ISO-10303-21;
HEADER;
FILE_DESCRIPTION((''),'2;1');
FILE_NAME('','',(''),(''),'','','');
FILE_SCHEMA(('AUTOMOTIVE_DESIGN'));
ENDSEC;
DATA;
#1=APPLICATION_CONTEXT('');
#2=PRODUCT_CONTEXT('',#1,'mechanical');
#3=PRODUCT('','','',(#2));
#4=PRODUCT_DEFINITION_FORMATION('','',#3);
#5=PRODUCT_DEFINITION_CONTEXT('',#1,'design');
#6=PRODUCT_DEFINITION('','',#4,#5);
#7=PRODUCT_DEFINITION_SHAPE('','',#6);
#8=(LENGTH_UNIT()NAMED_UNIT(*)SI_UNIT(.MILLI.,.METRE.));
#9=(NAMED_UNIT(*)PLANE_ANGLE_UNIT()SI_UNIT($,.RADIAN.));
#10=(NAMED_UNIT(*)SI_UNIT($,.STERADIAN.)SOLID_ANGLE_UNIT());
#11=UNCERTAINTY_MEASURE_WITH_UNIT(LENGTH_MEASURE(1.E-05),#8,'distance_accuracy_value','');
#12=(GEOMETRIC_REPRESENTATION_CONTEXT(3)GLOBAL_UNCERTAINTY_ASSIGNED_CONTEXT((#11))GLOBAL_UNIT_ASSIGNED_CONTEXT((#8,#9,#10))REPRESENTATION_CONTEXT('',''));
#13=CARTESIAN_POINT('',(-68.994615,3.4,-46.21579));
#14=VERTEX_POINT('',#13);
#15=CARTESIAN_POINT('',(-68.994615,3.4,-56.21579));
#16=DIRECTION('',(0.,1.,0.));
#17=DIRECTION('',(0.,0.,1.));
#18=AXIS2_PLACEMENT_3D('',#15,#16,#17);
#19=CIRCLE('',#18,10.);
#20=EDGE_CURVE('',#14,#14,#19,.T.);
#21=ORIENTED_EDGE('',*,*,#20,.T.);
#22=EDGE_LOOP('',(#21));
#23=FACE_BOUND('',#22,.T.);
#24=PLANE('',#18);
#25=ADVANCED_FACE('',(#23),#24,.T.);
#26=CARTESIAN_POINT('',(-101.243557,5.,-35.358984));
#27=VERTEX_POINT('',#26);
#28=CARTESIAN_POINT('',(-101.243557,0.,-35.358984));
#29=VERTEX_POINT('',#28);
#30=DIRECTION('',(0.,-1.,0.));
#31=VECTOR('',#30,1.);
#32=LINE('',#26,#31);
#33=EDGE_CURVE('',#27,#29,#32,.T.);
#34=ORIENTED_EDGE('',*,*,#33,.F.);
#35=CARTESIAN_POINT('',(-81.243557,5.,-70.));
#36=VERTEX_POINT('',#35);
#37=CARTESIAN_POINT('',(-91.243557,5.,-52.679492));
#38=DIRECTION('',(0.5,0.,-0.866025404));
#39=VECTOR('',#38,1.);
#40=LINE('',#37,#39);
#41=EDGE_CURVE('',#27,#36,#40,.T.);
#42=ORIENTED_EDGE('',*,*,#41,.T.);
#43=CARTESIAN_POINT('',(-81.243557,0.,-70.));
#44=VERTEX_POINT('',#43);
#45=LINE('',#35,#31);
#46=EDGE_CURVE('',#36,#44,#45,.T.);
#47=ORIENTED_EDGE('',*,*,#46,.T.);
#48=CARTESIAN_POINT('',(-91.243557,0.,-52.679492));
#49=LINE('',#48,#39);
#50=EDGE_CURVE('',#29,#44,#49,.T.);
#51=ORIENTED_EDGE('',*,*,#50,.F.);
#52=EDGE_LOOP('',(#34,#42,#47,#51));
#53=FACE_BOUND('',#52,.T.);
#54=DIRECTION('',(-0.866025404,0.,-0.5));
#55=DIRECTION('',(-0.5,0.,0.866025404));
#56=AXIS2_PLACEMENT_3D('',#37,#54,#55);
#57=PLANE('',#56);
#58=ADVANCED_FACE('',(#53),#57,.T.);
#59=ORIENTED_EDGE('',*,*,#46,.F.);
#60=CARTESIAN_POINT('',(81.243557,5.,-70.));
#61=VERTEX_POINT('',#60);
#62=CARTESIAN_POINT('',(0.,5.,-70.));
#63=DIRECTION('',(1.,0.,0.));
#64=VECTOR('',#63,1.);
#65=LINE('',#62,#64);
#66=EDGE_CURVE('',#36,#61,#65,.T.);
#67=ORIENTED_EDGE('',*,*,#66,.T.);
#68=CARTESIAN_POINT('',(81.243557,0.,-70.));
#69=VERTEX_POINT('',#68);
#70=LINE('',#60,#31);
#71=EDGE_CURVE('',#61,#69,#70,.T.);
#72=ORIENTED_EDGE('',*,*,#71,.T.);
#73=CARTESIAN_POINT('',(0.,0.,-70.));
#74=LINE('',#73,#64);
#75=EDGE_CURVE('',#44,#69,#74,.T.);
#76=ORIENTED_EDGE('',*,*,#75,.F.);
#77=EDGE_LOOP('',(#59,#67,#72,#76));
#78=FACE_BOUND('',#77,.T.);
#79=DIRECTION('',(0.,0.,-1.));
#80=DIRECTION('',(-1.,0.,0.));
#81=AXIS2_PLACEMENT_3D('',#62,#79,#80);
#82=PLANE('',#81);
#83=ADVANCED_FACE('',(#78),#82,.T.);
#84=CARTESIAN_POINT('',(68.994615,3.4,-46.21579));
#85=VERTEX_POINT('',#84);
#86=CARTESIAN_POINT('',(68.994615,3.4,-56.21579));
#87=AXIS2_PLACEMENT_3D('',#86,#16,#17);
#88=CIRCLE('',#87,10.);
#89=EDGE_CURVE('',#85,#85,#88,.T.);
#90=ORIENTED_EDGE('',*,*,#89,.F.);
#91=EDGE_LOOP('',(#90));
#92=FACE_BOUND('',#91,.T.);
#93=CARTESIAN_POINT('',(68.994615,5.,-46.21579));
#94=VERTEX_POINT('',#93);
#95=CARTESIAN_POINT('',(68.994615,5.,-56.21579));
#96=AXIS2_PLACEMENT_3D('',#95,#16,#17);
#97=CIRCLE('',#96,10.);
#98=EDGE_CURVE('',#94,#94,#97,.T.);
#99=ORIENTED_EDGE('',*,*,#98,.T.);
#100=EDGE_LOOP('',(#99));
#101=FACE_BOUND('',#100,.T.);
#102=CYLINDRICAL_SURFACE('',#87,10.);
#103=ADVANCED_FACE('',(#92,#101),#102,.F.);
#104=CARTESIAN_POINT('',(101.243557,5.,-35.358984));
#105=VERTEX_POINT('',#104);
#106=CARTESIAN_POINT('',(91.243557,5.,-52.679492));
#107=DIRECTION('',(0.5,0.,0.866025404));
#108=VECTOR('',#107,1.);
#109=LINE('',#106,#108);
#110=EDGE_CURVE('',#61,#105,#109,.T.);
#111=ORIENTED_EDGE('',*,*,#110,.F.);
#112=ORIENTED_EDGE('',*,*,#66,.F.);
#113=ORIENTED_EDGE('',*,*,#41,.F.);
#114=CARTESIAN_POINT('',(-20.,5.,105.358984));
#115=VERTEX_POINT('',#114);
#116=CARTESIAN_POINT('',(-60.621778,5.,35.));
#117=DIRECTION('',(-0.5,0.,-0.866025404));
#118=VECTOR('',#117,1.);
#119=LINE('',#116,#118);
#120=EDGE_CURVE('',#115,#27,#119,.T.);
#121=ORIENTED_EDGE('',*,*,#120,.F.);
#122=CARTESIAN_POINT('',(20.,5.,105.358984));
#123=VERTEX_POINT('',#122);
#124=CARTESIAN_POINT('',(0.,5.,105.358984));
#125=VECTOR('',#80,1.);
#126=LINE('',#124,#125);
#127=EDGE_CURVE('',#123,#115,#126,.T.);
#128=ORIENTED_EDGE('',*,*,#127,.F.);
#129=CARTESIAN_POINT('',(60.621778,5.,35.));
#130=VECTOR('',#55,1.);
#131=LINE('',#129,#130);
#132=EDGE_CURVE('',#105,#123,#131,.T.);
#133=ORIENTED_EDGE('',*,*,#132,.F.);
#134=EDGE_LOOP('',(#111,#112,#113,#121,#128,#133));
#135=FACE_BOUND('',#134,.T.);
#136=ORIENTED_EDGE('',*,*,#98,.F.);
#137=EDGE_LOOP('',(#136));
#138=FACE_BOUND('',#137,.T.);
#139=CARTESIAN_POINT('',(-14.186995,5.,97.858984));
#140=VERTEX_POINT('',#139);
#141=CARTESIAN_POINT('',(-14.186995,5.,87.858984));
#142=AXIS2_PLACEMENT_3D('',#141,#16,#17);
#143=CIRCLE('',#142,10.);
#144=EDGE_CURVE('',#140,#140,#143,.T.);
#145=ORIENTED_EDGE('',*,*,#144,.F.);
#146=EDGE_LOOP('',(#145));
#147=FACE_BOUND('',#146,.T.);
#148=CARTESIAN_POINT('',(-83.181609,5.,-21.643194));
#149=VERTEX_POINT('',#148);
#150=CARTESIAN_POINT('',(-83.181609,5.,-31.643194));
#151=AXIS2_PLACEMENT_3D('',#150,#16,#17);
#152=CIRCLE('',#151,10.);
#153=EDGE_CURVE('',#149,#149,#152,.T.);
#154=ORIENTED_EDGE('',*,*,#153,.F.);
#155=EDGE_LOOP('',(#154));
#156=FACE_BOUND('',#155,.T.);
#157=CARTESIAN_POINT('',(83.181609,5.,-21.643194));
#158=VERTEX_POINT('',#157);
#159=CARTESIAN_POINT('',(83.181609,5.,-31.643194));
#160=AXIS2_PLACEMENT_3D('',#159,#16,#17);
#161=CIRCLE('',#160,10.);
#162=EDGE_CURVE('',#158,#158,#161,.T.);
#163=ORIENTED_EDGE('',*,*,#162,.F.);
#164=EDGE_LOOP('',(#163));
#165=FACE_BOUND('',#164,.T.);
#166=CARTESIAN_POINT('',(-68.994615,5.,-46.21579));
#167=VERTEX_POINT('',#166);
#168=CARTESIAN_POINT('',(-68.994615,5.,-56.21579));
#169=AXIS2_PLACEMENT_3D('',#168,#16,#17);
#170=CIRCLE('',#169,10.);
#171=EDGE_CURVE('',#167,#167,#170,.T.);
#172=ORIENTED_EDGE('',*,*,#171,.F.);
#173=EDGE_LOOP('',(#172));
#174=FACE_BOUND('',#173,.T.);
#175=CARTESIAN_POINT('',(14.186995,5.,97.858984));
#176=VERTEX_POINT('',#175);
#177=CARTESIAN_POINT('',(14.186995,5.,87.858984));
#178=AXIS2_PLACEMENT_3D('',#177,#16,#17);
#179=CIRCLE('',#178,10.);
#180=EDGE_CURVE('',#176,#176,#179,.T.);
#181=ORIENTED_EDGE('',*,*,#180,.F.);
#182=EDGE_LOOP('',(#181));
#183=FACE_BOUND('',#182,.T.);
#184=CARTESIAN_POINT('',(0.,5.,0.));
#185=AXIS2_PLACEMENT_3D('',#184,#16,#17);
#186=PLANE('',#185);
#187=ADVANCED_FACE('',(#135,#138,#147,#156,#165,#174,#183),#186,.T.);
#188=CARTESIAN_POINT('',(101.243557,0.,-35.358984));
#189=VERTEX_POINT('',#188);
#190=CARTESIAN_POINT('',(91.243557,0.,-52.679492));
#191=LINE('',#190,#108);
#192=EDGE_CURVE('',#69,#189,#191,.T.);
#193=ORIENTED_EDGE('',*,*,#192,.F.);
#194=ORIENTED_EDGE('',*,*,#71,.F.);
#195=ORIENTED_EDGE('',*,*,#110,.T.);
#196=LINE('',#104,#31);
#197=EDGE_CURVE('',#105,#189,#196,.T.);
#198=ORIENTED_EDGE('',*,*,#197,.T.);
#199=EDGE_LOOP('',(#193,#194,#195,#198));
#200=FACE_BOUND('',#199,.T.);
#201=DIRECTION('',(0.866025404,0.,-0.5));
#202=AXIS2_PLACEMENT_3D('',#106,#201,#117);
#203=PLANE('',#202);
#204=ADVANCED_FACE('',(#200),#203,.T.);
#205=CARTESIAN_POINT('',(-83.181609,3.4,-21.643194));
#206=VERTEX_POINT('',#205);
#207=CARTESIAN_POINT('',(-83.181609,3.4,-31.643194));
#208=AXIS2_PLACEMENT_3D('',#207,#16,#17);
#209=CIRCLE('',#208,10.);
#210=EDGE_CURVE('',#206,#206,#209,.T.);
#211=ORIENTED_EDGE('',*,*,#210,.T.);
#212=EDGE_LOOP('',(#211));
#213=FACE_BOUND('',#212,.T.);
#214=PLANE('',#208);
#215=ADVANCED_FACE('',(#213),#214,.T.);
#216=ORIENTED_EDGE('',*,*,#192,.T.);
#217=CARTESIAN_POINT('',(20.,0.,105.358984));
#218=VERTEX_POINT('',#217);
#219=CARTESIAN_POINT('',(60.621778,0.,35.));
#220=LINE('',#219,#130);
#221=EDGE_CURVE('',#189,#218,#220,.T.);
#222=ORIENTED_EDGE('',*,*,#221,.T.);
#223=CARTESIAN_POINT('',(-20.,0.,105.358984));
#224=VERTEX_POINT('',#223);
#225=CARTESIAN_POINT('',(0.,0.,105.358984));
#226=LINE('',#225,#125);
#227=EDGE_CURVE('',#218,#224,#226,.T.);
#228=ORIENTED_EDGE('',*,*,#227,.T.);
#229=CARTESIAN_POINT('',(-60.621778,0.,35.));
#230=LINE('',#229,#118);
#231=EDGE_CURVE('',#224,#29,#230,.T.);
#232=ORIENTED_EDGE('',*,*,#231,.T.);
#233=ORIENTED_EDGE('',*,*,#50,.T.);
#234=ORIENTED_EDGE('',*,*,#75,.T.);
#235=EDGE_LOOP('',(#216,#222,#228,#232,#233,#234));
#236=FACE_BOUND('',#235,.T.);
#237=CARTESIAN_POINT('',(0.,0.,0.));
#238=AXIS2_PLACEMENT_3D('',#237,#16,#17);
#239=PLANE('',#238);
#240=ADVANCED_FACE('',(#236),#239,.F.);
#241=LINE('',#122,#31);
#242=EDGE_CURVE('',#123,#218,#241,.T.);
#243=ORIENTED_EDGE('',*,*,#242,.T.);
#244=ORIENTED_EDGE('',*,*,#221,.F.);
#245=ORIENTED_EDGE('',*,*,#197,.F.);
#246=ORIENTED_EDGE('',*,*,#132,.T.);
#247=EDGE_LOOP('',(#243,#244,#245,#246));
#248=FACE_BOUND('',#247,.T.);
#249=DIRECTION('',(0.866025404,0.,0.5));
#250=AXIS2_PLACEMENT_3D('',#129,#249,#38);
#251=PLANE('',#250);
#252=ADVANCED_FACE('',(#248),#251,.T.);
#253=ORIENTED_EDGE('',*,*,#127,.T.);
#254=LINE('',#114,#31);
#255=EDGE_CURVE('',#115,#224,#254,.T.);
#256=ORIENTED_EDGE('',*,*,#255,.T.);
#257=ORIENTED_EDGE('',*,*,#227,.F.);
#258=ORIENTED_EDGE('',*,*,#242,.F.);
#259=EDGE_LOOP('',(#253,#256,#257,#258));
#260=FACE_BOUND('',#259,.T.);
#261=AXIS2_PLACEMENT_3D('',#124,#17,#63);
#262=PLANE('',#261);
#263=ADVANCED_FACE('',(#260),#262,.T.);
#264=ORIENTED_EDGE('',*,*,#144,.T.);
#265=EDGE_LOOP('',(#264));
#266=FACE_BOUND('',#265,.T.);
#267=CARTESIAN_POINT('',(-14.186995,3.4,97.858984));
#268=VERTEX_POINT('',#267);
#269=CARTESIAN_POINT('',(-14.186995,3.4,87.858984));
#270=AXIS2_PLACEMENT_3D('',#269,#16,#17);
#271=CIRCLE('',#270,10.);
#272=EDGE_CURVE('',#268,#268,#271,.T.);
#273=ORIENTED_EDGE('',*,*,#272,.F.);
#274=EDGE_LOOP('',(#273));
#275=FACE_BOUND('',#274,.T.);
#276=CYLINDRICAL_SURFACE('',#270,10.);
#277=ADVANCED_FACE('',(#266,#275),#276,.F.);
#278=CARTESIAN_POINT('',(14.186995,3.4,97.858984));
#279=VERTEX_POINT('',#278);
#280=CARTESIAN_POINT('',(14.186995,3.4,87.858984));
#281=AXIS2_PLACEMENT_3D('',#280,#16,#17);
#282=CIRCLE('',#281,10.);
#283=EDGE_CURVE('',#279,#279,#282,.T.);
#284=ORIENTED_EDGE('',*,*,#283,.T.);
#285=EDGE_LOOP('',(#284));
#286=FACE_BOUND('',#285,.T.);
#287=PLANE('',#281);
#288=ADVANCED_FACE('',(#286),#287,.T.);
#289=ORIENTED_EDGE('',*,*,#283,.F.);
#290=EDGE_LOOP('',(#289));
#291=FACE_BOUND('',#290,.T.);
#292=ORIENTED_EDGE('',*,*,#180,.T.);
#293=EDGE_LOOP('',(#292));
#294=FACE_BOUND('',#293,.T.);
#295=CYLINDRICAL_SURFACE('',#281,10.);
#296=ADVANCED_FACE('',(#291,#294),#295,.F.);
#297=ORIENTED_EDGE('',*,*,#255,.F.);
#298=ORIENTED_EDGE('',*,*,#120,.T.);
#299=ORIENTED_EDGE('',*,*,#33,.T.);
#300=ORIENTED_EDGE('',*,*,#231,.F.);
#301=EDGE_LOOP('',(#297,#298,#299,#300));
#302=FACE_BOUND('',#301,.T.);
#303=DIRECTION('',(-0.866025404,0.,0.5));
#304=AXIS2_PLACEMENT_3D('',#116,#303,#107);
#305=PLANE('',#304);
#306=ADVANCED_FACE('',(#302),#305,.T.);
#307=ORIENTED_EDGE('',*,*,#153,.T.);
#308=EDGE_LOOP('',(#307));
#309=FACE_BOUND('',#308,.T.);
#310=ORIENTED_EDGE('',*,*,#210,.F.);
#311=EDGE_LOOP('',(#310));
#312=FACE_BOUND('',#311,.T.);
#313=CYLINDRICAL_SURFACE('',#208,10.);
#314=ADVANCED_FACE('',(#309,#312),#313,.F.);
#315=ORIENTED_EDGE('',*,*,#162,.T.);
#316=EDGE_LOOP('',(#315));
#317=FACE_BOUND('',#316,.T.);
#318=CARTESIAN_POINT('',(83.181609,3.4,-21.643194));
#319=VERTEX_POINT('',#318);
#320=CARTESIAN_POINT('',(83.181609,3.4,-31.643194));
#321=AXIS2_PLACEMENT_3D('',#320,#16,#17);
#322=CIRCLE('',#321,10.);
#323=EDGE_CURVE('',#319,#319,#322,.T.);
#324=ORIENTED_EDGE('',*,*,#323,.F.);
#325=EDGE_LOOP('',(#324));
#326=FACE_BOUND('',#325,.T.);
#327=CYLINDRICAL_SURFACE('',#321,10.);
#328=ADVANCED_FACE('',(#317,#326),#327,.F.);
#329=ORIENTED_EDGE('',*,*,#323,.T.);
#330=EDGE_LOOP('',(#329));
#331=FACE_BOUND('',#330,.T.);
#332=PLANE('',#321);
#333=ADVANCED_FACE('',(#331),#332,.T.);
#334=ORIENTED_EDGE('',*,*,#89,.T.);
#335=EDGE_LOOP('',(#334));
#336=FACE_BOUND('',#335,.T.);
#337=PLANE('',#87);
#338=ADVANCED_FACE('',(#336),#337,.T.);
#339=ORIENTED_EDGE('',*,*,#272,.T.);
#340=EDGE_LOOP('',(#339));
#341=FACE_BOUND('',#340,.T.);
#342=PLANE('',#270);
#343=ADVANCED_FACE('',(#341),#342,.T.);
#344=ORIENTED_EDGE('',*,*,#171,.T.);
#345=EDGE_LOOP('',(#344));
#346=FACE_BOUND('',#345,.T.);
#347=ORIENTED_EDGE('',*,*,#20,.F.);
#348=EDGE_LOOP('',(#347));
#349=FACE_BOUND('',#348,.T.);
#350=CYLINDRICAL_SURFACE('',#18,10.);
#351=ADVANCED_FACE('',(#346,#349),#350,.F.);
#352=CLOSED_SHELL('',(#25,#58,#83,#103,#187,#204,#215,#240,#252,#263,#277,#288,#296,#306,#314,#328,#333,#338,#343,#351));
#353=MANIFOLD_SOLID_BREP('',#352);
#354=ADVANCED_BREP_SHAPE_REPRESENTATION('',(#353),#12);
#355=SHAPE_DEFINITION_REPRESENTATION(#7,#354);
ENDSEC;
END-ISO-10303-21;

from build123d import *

# Parameters (mm, degrees)
BOSS_EXTRUDE1_DEPTH = 5
CUT_EXTRUDE4_START  = 5
SKETCH1_5_R         = 10
CUT_EXTRUDE4_DEPTH  = 1.6
CIRPATTERN1_COUNT   = 3


with BuildPart() as part:
    # Sketch1 → Boss-Extrude1 (new body)
    with BuildSketch(Plane(origin=(0, 0, 0), x_dir=(1, 0, 0), z_dir=(0, 1, 0))):
        Polygon((20, -105.358983849), (101.24355653, 35.358983849), (81.24355653, 70), (-81.24355653, 70), (-101.24355653, 35.358983849), (-20, -105.358983849), align=None)
    extrude(amount=BOSS_EXTRUDE1_DEPTH)

    # Sketch1<5> → Cut-Extrude4 (cut)
    with BuildSketch(Plane(origin=(0, 0, 0), x_dir=(1, 0, 0), z_dir=(0, 1, 0)).offset(CUT_EXTRUDE4_START)):
        with Locations(Location((-14.186994533, -87.858983849, 0), (0, 0, 270))):
            Circle(SKETCH1_5_R)
        with Locations(Location((14.186994533, -87.858983849, 0), (0, 0, 270))):
            Circle(SKETCH1_5_R)
    cut_extrude4 = extrude(amount=-CUT_EXTRUDE4_DEPTH, mode=Mode.SUBTRACT)

    # CirPattern1: Cut-Extrude4 ×3 about axis
    cirpattern1_axis = Axis((0, 0, 0), (0, 1, 0))
    for i in range(1, CIRPATTERN1_COUNT):
        add(cut_extrude4.rotate(cirpattern1_axis, i * 360 / CIRPATTERN1_COUNT), mode=Mode.SUBTRACT)


solid = part.part
